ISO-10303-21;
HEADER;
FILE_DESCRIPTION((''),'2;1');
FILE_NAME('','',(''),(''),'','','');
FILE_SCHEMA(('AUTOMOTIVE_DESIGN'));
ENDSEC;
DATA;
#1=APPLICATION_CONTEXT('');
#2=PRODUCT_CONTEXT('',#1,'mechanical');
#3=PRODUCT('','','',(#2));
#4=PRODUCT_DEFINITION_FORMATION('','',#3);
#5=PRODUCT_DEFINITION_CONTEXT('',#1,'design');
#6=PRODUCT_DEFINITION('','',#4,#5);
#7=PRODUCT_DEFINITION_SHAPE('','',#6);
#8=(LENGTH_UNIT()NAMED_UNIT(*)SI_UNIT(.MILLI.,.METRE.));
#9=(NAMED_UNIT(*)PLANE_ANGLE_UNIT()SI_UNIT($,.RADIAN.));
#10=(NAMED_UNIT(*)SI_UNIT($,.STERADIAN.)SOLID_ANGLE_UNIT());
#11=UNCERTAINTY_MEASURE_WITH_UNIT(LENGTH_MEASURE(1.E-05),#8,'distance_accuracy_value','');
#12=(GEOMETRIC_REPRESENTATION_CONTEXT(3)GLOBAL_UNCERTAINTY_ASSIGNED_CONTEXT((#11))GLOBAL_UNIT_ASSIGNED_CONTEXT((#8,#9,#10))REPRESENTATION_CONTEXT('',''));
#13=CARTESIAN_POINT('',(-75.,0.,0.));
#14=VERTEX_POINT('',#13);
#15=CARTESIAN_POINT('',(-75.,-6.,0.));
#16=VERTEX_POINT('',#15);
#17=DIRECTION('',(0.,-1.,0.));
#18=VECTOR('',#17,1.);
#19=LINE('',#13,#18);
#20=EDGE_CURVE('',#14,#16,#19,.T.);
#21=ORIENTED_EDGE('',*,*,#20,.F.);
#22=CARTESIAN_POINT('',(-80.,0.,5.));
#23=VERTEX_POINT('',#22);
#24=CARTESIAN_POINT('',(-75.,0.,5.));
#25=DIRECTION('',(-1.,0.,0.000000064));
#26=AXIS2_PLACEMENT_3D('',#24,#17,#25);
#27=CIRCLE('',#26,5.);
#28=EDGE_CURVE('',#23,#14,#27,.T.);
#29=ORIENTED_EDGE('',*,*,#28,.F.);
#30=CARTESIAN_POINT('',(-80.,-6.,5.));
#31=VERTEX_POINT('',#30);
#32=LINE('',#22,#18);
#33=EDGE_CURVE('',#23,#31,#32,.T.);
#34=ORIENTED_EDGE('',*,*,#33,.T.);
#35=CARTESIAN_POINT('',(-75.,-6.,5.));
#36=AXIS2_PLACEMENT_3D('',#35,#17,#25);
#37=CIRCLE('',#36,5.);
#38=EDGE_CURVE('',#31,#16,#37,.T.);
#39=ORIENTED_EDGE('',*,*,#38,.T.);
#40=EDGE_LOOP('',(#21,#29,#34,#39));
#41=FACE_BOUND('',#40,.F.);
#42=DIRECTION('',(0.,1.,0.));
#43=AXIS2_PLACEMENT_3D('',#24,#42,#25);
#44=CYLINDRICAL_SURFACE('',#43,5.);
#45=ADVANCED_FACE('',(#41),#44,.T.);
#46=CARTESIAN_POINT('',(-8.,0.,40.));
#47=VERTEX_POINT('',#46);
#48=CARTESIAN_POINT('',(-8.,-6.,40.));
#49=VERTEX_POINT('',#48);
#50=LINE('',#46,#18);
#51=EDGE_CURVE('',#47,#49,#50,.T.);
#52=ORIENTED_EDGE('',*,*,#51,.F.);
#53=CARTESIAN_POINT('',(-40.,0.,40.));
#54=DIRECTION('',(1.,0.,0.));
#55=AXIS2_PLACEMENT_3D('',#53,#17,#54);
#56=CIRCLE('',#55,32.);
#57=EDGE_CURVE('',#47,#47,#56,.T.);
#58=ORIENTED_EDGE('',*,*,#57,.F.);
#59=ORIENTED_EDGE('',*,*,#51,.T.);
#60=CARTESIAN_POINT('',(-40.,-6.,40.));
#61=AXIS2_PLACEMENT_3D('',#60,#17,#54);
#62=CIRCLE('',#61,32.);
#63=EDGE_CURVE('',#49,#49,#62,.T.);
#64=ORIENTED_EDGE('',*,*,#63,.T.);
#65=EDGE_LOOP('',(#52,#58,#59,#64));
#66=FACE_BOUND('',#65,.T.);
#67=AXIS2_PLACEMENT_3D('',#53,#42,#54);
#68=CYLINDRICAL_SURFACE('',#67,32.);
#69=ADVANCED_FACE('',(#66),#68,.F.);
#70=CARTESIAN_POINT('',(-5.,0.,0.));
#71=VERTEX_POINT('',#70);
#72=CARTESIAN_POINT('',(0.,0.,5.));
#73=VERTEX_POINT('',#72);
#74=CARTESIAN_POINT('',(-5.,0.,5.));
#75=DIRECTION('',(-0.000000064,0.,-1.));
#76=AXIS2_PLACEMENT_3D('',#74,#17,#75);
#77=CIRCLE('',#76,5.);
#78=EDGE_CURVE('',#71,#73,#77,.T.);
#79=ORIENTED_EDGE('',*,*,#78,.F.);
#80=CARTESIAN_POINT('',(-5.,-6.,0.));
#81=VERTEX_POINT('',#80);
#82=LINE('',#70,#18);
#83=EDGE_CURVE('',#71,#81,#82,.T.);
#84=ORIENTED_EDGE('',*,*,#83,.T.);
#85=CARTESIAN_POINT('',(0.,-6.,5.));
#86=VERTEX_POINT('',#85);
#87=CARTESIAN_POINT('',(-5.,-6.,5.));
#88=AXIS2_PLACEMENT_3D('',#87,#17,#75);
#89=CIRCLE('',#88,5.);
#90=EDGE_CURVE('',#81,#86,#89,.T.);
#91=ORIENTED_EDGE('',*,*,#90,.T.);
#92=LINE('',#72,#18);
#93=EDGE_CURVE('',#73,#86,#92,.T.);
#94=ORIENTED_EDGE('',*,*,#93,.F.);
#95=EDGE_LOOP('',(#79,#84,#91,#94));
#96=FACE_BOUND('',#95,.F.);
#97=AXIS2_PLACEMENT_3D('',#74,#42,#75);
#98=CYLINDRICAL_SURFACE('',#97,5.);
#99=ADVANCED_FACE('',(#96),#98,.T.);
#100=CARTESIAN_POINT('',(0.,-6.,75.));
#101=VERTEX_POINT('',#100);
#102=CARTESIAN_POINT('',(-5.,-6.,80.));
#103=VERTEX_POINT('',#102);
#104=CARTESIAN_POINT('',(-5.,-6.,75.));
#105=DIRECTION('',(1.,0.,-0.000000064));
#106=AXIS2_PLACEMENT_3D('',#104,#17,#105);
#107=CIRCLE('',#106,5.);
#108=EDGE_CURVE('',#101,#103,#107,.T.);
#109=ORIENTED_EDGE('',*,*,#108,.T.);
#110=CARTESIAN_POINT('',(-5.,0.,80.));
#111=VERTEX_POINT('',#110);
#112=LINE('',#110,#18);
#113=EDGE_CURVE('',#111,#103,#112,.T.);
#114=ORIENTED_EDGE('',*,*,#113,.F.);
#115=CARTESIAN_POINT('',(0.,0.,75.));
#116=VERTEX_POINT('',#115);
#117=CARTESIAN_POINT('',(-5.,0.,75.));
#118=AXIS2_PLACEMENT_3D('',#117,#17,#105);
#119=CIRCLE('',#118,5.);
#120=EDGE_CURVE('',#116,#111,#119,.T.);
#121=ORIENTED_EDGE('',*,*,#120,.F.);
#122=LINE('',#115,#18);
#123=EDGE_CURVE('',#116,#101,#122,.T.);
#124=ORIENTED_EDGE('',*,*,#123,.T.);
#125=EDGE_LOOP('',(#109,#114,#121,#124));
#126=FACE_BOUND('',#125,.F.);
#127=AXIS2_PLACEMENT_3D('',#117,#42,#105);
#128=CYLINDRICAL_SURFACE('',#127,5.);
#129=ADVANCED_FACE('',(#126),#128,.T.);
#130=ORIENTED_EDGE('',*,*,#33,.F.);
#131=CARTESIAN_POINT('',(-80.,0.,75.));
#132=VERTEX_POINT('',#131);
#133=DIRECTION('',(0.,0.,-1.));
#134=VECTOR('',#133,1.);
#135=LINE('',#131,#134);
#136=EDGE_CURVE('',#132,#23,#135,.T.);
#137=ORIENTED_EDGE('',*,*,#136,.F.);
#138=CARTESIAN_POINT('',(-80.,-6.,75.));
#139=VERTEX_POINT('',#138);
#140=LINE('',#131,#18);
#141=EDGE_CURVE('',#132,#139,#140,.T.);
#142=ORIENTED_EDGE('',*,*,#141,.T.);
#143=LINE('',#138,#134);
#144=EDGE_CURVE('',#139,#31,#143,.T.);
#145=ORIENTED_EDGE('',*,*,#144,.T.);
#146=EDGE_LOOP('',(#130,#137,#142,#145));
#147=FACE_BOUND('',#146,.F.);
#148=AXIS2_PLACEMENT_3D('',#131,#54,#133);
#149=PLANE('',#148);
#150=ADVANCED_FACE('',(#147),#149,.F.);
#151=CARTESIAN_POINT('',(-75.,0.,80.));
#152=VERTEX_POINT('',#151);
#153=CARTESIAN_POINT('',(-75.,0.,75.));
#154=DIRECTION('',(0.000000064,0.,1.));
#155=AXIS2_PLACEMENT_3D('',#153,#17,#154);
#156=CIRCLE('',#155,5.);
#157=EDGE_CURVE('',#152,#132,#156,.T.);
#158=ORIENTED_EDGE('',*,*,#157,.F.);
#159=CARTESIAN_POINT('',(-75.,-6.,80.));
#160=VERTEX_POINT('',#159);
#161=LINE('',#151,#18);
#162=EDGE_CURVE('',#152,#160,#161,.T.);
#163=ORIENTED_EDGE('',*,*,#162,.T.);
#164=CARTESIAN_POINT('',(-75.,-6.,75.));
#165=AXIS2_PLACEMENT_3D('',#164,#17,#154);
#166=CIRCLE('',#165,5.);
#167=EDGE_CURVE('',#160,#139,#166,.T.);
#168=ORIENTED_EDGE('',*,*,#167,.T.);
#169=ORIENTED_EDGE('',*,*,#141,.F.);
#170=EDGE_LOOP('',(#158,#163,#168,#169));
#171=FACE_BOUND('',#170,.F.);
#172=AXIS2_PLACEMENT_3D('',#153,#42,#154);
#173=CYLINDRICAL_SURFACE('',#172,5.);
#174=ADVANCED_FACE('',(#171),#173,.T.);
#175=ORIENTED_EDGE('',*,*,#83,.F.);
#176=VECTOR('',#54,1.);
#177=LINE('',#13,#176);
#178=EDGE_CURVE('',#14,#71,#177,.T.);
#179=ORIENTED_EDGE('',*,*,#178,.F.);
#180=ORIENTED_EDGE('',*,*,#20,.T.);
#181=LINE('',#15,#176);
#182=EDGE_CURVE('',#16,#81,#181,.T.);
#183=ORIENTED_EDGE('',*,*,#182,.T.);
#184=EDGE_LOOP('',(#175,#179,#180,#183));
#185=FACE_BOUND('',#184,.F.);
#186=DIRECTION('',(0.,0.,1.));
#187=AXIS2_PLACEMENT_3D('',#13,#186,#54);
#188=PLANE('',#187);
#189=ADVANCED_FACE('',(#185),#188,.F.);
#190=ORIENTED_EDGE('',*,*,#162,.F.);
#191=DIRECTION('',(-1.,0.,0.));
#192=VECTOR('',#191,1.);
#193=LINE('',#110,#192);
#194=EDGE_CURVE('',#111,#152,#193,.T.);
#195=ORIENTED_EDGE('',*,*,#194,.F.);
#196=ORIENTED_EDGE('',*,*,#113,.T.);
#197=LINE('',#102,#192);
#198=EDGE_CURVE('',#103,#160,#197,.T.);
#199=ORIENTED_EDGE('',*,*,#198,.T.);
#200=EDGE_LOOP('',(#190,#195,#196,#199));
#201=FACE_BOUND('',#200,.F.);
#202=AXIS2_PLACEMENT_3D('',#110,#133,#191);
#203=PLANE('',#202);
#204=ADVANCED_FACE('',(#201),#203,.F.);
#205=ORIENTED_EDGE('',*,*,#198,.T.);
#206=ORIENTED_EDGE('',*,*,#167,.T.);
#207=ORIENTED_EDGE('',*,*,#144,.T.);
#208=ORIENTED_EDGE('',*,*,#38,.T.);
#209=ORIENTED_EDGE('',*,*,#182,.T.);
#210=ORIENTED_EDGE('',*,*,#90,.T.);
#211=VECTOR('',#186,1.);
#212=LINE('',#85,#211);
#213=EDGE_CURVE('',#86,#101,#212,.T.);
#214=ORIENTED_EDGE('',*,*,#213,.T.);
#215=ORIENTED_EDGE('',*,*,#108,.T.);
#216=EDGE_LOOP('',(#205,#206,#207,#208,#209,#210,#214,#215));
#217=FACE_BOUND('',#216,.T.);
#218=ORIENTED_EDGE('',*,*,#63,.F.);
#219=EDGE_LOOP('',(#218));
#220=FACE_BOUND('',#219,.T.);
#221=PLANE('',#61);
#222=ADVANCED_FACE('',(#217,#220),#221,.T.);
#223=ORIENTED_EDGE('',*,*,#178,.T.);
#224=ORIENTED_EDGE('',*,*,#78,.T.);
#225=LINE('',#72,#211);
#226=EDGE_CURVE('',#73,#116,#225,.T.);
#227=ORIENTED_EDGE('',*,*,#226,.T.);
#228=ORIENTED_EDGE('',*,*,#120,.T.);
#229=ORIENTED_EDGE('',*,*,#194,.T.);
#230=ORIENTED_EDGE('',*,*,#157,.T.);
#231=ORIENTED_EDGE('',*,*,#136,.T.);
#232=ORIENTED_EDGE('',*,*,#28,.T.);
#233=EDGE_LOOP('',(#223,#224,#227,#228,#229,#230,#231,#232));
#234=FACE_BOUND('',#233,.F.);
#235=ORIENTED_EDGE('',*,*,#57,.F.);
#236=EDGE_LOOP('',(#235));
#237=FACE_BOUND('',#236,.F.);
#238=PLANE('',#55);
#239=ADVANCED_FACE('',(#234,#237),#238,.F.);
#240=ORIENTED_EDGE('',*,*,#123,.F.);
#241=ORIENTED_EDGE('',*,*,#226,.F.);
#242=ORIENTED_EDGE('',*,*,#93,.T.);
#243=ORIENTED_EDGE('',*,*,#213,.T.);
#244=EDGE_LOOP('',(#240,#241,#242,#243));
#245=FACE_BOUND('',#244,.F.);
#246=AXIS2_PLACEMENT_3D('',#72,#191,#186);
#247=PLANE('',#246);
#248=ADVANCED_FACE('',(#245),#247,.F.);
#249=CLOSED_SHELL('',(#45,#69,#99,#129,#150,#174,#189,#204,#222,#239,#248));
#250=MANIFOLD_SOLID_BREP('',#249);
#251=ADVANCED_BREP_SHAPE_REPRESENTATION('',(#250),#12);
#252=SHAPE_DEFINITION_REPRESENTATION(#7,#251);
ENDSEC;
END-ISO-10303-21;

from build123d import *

# Parameters (mm, degrees)
F0_R     = 32
F1_DEPTH = 6


with BuildPart() as f1:
    # F0 (on Front) → F1 (new body)
    with BuildSketch(Plane.XZ):
        with BuildLine():
            Line((-75, 0), (-5, 0))
            ThreePointArc((-5, 0), (-1.464466, 1.464466), (0, 5))
            Line((0, 5), (0, 75))
            ThreePointArc((0, 75), (-1.464466, 78.535534), (-5, 80))
            Line((-5, 80), (-75, 80))
            ThreePointArc((-75, 80), (-78.535534, 78.535534), (-80, 75))
            Line((-80, 75), (-80, 5))
            ThreePointArc((-80, 5), (-78.535534, 1.464466), (-75, 0))
        make_face()
        with Locations((-40, 40)):
            Circle(F0_R, mode=Mode.SUBTRACT)
    extrude(amount=F1_DEPTH)


solid = f1.part
